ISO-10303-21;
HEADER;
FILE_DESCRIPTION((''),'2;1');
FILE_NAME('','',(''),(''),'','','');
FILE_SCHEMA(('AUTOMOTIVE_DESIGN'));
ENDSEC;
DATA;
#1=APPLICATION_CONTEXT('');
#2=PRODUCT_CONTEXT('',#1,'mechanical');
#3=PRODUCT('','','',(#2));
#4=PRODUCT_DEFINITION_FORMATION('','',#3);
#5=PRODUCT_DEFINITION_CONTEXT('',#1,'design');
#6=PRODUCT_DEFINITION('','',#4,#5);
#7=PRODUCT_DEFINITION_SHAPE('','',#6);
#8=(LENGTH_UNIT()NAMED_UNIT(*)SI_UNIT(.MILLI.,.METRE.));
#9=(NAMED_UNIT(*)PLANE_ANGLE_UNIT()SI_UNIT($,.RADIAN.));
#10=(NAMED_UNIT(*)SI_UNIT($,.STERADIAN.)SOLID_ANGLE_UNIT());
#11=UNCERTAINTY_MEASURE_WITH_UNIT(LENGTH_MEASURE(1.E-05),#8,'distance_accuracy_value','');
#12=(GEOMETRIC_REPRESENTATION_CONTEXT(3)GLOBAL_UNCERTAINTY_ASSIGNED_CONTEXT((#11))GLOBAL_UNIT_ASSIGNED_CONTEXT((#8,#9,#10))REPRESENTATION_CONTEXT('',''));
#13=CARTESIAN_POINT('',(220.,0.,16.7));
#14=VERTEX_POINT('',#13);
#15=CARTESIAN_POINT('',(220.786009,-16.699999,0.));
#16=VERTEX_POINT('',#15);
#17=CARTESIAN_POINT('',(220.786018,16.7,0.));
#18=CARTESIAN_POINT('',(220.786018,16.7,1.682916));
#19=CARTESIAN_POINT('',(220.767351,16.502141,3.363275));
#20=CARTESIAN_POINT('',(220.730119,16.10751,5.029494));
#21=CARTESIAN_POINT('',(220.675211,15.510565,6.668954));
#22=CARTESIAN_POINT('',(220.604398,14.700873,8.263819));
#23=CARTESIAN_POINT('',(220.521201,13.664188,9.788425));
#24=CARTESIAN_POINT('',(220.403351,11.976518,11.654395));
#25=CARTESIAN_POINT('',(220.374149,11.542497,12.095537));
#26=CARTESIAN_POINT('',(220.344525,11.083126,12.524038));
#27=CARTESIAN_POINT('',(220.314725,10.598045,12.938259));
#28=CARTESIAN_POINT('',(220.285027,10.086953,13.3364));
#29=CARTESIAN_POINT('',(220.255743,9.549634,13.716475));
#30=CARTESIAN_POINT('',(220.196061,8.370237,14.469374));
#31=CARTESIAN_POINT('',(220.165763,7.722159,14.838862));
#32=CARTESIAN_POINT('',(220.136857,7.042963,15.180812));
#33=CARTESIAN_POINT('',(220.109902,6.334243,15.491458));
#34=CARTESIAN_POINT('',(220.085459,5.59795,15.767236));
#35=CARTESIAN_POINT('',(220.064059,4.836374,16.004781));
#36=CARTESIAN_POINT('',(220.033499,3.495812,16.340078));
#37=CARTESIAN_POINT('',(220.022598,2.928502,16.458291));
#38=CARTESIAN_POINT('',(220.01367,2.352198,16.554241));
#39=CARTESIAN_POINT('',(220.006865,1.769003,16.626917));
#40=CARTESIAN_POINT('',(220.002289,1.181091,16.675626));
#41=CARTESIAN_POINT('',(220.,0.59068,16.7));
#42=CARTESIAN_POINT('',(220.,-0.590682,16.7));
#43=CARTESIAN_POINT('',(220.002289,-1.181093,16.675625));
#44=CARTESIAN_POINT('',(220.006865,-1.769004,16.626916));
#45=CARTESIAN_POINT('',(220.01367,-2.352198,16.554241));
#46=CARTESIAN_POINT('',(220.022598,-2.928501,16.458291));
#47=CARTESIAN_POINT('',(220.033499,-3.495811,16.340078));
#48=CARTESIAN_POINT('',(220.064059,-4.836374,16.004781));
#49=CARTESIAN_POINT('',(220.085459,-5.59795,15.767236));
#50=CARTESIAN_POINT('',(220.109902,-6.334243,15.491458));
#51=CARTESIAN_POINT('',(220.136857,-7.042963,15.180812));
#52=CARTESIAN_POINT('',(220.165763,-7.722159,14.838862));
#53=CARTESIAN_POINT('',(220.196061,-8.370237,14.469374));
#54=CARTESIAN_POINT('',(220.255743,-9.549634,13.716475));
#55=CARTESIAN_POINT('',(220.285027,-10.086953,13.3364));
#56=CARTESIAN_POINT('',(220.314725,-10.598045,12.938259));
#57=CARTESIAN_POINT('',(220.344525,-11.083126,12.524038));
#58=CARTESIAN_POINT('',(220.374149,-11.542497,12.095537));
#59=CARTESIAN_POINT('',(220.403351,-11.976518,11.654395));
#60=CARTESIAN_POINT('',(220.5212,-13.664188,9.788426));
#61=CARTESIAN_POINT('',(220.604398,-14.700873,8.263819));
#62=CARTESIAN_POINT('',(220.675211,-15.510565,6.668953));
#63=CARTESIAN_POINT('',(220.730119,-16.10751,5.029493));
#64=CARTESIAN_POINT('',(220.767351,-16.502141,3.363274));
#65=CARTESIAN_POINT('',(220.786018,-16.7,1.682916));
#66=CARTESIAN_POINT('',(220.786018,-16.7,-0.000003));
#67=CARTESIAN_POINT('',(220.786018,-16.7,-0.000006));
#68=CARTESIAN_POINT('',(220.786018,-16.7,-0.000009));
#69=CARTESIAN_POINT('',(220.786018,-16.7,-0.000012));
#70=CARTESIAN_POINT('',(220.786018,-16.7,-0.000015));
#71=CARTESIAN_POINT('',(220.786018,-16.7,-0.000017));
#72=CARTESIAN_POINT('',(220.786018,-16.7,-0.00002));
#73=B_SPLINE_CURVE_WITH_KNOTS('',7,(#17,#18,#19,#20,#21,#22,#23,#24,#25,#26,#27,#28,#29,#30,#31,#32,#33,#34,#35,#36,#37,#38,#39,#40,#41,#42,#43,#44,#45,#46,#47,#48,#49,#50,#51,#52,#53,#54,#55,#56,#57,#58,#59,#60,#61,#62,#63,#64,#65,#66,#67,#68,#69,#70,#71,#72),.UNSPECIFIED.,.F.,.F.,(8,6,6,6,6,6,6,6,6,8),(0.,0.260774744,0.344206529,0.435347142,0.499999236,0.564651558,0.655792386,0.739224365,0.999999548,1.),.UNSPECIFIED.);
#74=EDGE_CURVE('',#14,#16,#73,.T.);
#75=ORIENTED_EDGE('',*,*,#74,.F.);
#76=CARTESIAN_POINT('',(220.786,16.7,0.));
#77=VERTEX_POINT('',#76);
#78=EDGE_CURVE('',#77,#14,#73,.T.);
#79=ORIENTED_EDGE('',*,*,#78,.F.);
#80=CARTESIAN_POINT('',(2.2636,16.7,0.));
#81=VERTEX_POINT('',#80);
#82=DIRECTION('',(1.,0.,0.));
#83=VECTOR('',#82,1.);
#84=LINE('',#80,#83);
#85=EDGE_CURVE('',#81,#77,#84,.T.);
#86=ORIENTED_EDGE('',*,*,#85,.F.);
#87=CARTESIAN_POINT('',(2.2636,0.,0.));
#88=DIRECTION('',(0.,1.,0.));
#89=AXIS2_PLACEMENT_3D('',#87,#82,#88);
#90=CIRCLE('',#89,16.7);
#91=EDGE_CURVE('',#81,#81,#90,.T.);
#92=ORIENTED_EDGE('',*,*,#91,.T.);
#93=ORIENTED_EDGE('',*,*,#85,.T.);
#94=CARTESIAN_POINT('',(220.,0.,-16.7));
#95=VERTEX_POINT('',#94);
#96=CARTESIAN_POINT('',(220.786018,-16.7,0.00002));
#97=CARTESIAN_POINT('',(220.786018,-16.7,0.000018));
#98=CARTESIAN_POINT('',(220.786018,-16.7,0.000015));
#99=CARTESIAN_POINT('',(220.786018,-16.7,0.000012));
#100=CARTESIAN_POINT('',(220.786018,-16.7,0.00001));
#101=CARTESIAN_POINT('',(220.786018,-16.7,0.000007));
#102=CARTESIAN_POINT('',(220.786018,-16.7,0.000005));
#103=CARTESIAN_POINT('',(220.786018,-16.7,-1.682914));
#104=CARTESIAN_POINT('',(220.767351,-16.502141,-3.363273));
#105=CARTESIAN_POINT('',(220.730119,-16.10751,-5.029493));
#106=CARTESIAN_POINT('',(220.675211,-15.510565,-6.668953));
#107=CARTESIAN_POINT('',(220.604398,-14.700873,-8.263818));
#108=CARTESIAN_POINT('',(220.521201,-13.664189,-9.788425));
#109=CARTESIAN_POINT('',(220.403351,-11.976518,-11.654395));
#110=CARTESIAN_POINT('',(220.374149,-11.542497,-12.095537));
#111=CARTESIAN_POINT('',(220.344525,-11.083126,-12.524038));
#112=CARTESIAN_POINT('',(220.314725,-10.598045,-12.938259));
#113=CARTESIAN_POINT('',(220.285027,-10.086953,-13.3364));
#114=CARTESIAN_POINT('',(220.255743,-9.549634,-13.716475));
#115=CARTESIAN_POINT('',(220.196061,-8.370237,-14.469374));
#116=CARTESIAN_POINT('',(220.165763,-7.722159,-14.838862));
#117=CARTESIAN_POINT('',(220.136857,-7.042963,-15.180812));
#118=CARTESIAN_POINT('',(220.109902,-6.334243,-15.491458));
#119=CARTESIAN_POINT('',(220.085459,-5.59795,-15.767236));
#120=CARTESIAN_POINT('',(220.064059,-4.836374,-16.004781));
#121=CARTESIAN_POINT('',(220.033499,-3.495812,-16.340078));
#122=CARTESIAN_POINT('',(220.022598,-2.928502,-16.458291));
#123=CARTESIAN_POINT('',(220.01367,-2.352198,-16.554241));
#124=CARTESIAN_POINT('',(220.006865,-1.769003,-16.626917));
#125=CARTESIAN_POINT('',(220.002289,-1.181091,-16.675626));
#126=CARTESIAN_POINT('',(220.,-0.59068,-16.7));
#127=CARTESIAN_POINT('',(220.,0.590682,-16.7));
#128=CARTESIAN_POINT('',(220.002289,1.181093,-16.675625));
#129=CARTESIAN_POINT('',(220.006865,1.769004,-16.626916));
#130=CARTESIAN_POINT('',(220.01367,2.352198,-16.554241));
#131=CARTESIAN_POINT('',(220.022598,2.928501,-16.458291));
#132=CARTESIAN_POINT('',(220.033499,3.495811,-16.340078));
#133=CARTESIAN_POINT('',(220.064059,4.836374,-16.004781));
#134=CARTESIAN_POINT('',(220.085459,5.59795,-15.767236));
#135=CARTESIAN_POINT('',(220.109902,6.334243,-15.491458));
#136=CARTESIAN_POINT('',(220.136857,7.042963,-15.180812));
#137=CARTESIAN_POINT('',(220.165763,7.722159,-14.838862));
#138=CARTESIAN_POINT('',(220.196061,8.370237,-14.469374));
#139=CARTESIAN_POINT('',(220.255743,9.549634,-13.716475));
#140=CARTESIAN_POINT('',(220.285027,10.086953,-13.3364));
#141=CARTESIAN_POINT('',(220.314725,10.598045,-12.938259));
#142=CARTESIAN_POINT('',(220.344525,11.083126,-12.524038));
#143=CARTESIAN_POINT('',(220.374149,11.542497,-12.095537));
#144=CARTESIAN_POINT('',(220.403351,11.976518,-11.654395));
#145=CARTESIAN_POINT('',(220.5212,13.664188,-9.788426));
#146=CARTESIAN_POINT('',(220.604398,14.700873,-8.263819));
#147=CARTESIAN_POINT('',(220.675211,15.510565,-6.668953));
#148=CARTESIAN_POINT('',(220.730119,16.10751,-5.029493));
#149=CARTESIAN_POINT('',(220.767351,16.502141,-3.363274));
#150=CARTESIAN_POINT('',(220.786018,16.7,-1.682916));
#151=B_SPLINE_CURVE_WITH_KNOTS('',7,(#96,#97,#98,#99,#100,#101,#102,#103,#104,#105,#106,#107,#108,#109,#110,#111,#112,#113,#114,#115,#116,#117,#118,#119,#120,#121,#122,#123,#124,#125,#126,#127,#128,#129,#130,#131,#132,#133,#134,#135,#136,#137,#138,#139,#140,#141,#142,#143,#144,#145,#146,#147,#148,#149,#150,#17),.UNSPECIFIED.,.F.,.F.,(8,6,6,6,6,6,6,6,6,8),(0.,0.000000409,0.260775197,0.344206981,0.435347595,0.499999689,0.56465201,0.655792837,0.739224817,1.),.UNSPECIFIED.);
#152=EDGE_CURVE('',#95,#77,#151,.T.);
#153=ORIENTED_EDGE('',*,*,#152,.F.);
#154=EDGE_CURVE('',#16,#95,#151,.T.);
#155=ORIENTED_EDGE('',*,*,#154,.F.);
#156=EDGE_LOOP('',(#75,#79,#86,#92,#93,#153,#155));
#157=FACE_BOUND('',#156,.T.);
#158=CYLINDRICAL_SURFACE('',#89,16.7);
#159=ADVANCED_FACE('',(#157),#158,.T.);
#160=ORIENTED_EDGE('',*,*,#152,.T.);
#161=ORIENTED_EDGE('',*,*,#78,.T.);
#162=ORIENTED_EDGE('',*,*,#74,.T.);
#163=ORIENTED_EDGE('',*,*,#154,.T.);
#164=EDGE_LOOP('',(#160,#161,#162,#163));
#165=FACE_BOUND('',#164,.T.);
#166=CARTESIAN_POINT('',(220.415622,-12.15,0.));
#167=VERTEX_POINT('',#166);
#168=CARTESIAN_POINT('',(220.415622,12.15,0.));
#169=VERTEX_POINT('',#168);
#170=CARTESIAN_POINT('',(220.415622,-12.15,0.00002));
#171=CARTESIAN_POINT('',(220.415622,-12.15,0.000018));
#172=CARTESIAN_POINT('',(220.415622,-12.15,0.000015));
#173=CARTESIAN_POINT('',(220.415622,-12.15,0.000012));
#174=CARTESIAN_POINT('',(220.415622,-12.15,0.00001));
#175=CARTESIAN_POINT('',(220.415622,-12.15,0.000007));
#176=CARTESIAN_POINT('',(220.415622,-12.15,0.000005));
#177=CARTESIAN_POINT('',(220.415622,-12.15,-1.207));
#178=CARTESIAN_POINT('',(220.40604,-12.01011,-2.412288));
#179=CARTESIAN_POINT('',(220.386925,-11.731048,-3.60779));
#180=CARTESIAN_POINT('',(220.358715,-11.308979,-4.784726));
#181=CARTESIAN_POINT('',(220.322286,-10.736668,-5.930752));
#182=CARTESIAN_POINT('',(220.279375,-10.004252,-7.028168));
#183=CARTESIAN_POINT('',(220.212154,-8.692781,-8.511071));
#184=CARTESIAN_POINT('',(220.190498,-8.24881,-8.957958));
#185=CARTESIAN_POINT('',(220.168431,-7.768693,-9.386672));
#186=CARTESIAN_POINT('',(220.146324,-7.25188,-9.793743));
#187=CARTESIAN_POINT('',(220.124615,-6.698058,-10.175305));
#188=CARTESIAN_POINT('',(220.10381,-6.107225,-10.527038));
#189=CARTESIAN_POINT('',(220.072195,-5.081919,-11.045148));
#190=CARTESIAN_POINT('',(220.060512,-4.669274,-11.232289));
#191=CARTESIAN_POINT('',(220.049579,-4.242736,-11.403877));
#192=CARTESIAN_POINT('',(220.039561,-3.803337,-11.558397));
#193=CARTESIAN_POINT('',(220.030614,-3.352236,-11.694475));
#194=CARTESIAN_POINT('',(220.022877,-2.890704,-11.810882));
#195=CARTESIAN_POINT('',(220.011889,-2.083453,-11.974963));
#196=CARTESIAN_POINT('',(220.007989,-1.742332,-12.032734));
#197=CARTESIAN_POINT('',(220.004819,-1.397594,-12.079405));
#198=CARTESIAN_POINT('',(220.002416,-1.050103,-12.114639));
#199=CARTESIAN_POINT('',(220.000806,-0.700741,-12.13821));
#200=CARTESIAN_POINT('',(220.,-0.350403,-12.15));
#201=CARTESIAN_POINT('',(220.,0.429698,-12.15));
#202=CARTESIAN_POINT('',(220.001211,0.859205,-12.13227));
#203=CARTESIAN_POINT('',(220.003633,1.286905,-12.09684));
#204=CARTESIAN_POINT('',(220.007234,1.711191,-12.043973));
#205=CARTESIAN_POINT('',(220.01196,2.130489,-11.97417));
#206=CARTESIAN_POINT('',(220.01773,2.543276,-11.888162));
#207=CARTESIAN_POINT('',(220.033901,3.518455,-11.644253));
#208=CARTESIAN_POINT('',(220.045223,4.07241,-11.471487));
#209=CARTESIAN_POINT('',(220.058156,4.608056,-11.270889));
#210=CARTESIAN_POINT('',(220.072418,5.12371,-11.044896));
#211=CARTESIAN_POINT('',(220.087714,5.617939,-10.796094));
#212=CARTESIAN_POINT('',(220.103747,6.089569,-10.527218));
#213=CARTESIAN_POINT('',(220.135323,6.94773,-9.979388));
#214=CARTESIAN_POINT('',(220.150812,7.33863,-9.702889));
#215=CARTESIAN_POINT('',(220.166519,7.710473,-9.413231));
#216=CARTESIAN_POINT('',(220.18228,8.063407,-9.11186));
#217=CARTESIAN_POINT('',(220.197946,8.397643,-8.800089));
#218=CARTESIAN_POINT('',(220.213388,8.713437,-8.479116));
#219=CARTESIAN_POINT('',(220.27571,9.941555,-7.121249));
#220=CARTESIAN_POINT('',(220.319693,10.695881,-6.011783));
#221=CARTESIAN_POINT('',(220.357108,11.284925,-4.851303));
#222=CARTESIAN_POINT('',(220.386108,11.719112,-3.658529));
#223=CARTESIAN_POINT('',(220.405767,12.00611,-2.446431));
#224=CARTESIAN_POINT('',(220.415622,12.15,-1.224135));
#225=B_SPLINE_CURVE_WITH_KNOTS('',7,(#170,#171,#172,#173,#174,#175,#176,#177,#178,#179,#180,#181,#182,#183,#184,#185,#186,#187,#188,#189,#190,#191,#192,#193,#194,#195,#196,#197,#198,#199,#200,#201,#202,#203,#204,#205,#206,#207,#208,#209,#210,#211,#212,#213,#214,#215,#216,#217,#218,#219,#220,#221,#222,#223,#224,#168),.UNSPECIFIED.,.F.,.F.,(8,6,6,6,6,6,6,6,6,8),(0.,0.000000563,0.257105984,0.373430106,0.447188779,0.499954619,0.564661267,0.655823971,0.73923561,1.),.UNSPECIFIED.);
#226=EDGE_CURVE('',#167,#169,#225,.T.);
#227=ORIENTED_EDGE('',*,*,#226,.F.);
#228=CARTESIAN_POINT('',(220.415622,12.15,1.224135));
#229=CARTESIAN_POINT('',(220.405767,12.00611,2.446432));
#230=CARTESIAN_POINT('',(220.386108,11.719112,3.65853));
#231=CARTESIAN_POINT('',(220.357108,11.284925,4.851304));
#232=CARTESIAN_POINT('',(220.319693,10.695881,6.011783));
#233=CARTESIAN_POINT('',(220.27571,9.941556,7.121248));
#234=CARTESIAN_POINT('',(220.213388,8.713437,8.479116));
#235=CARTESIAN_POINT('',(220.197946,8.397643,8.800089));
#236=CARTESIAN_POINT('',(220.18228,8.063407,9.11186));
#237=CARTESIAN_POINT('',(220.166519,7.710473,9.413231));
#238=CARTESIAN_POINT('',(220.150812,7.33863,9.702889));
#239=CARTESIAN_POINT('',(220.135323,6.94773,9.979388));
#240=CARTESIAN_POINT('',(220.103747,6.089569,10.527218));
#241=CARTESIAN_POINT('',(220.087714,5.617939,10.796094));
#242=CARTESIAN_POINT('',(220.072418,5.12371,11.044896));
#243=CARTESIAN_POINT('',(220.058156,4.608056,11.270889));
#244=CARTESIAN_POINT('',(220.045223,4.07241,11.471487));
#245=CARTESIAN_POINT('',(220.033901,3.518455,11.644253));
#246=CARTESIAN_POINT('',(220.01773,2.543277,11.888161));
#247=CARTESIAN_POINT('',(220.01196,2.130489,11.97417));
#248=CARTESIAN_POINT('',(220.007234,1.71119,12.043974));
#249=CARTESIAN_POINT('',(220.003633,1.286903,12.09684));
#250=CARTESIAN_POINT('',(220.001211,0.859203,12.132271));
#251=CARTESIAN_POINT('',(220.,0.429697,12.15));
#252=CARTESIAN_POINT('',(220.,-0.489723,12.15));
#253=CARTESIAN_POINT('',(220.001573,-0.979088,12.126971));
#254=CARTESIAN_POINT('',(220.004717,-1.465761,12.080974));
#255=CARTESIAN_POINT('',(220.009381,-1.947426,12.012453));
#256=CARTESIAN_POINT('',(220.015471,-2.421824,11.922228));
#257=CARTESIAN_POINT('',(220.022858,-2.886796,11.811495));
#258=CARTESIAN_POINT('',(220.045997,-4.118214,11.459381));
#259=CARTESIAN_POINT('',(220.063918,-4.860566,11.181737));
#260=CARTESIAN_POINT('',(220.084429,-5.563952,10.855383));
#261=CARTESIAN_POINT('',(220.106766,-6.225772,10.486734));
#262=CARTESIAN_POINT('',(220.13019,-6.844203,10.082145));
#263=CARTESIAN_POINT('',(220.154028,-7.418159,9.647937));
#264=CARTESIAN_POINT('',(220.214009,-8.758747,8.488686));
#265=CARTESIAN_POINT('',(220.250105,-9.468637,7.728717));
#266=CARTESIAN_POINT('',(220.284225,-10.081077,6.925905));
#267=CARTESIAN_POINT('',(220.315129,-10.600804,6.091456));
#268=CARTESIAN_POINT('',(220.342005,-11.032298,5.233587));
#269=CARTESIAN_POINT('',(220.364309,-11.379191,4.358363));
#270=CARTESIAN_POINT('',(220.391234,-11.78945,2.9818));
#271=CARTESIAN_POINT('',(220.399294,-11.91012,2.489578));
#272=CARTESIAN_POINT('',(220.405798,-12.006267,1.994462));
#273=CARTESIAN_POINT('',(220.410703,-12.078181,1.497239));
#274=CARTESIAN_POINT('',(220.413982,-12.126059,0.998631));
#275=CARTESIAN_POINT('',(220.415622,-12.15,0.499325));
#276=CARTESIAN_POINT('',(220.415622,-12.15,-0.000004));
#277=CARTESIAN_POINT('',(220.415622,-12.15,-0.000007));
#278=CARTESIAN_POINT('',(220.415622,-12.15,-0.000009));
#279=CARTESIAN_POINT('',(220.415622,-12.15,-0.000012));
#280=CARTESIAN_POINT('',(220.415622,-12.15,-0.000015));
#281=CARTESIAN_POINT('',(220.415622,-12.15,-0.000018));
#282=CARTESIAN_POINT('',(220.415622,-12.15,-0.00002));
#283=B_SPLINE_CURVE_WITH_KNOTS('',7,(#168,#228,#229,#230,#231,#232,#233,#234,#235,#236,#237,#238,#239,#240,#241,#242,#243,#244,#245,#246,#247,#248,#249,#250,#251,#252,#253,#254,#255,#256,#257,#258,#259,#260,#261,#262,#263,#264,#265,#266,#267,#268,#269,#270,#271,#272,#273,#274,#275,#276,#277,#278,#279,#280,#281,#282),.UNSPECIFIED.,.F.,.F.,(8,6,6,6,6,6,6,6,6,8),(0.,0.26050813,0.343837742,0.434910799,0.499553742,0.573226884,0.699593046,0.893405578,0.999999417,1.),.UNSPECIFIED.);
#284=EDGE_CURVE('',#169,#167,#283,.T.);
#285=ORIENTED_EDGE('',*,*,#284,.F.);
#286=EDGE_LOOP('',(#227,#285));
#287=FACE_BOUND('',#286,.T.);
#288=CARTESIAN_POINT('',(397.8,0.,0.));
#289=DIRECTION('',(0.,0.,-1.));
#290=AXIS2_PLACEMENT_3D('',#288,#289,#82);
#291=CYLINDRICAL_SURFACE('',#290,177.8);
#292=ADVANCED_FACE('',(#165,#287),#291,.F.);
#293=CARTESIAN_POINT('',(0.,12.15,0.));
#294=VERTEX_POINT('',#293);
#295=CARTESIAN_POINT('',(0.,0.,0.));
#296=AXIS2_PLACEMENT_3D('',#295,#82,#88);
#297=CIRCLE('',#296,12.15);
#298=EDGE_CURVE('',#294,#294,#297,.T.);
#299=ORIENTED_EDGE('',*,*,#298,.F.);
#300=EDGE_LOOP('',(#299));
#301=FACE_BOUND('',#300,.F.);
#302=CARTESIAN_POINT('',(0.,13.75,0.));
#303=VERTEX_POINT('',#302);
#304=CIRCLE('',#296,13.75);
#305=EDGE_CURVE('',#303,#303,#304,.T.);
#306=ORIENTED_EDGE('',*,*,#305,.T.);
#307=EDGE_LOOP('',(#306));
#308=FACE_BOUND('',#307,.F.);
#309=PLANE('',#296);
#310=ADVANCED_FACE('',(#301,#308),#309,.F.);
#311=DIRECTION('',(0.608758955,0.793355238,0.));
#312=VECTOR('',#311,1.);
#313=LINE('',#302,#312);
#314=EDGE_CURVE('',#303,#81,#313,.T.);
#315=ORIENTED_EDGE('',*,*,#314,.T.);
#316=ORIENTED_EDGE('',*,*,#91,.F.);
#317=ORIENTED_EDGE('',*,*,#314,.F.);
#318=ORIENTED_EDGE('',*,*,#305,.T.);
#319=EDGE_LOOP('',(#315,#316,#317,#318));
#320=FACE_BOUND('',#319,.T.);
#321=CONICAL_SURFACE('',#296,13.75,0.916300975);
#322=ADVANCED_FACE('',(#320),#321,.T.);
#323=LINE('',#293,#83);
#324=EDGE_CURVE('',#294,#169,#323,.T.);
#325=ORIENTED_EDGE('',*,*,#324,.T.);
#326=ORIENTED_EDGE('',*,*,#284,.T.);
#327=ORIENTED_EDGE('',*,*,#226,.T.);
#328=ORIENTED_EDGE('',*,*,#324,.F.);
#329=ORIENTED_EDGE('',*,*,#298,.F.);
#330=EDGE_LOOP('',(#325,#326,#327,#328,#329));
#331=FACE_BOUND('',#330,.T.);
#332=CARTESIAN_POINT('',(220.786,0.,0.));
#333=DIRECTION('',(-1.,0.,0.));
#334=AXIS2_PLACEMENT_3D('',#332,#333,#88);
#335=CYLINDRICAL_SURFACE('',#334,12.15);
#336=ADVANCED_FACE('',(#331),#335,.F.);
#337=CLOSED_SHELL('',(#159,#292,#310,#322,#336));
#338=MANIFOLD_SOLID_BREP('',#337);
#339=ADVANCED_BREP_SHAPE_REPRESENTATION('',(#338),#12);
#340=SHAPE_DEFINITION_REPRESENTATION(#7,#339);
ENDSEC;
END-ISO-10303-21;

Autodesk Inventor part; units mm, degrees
ref_plane "YZ Plane" through (0, 0, 0) normal (1, 0, 0) x (0, 1, 0)
ref_plane "XZ Plane" through (0, 0, 0) normal (0, 1, 0) x (-1, 0, 0)
ref_plane "XY Plane" through (0, 0, 0) normal (0, 0, 1) x (1, 0, 0)
sketch "Sketch2" plane through (0, 0, 0) normal (0, 0, 1) x (1, 0, 0)
  circle A0 centre (397.8, 0) radius 177.8
  point P0 (0, 0)
  dimension "d12" = 355.6
  dimension "d13" = 397.8
sketch "Sketch1" plane through (0, 0, 0) normal (0, 0, 1) x (1, 0, 0)
  line L0 (0, 0) -> (304, 0)
  line L1 (0, 13.75) -> (2.2636, 16.7)
  line L2 (2.2636, 16.7) -> (220.786, 16.7)
  line L3 (220.786, 16.7) -> (220.786, 12.15)
  line L4 (220.786, 12.15) -> (0, 12.15)
  circle A0 centre (397.8, 0) radius 177.8 projected
  line L5 (0, 13.75) -> (0, 12.15)
  dimension "d1" = 33.4
  dimension "d2" = 24.3
  dimension "d4" = 1.6
  dimension "d27" = 37.5
  dimension "d29" = 220.786
revolve "Revolution1" add sketch "Sketch1" angle 360 about axis through (0, 0, 0) along (1, 0, 0) picked at (220.7405, 14.6781) contours L1 L2 A0 L4 L5 | L3 L4 A0
extrude "Extrusion1" cut sketch "Sketch2" along normal mid plane 33.4
properties part number "Nozzle 1 in" material "Steel ASTM A53 Gr.B"
